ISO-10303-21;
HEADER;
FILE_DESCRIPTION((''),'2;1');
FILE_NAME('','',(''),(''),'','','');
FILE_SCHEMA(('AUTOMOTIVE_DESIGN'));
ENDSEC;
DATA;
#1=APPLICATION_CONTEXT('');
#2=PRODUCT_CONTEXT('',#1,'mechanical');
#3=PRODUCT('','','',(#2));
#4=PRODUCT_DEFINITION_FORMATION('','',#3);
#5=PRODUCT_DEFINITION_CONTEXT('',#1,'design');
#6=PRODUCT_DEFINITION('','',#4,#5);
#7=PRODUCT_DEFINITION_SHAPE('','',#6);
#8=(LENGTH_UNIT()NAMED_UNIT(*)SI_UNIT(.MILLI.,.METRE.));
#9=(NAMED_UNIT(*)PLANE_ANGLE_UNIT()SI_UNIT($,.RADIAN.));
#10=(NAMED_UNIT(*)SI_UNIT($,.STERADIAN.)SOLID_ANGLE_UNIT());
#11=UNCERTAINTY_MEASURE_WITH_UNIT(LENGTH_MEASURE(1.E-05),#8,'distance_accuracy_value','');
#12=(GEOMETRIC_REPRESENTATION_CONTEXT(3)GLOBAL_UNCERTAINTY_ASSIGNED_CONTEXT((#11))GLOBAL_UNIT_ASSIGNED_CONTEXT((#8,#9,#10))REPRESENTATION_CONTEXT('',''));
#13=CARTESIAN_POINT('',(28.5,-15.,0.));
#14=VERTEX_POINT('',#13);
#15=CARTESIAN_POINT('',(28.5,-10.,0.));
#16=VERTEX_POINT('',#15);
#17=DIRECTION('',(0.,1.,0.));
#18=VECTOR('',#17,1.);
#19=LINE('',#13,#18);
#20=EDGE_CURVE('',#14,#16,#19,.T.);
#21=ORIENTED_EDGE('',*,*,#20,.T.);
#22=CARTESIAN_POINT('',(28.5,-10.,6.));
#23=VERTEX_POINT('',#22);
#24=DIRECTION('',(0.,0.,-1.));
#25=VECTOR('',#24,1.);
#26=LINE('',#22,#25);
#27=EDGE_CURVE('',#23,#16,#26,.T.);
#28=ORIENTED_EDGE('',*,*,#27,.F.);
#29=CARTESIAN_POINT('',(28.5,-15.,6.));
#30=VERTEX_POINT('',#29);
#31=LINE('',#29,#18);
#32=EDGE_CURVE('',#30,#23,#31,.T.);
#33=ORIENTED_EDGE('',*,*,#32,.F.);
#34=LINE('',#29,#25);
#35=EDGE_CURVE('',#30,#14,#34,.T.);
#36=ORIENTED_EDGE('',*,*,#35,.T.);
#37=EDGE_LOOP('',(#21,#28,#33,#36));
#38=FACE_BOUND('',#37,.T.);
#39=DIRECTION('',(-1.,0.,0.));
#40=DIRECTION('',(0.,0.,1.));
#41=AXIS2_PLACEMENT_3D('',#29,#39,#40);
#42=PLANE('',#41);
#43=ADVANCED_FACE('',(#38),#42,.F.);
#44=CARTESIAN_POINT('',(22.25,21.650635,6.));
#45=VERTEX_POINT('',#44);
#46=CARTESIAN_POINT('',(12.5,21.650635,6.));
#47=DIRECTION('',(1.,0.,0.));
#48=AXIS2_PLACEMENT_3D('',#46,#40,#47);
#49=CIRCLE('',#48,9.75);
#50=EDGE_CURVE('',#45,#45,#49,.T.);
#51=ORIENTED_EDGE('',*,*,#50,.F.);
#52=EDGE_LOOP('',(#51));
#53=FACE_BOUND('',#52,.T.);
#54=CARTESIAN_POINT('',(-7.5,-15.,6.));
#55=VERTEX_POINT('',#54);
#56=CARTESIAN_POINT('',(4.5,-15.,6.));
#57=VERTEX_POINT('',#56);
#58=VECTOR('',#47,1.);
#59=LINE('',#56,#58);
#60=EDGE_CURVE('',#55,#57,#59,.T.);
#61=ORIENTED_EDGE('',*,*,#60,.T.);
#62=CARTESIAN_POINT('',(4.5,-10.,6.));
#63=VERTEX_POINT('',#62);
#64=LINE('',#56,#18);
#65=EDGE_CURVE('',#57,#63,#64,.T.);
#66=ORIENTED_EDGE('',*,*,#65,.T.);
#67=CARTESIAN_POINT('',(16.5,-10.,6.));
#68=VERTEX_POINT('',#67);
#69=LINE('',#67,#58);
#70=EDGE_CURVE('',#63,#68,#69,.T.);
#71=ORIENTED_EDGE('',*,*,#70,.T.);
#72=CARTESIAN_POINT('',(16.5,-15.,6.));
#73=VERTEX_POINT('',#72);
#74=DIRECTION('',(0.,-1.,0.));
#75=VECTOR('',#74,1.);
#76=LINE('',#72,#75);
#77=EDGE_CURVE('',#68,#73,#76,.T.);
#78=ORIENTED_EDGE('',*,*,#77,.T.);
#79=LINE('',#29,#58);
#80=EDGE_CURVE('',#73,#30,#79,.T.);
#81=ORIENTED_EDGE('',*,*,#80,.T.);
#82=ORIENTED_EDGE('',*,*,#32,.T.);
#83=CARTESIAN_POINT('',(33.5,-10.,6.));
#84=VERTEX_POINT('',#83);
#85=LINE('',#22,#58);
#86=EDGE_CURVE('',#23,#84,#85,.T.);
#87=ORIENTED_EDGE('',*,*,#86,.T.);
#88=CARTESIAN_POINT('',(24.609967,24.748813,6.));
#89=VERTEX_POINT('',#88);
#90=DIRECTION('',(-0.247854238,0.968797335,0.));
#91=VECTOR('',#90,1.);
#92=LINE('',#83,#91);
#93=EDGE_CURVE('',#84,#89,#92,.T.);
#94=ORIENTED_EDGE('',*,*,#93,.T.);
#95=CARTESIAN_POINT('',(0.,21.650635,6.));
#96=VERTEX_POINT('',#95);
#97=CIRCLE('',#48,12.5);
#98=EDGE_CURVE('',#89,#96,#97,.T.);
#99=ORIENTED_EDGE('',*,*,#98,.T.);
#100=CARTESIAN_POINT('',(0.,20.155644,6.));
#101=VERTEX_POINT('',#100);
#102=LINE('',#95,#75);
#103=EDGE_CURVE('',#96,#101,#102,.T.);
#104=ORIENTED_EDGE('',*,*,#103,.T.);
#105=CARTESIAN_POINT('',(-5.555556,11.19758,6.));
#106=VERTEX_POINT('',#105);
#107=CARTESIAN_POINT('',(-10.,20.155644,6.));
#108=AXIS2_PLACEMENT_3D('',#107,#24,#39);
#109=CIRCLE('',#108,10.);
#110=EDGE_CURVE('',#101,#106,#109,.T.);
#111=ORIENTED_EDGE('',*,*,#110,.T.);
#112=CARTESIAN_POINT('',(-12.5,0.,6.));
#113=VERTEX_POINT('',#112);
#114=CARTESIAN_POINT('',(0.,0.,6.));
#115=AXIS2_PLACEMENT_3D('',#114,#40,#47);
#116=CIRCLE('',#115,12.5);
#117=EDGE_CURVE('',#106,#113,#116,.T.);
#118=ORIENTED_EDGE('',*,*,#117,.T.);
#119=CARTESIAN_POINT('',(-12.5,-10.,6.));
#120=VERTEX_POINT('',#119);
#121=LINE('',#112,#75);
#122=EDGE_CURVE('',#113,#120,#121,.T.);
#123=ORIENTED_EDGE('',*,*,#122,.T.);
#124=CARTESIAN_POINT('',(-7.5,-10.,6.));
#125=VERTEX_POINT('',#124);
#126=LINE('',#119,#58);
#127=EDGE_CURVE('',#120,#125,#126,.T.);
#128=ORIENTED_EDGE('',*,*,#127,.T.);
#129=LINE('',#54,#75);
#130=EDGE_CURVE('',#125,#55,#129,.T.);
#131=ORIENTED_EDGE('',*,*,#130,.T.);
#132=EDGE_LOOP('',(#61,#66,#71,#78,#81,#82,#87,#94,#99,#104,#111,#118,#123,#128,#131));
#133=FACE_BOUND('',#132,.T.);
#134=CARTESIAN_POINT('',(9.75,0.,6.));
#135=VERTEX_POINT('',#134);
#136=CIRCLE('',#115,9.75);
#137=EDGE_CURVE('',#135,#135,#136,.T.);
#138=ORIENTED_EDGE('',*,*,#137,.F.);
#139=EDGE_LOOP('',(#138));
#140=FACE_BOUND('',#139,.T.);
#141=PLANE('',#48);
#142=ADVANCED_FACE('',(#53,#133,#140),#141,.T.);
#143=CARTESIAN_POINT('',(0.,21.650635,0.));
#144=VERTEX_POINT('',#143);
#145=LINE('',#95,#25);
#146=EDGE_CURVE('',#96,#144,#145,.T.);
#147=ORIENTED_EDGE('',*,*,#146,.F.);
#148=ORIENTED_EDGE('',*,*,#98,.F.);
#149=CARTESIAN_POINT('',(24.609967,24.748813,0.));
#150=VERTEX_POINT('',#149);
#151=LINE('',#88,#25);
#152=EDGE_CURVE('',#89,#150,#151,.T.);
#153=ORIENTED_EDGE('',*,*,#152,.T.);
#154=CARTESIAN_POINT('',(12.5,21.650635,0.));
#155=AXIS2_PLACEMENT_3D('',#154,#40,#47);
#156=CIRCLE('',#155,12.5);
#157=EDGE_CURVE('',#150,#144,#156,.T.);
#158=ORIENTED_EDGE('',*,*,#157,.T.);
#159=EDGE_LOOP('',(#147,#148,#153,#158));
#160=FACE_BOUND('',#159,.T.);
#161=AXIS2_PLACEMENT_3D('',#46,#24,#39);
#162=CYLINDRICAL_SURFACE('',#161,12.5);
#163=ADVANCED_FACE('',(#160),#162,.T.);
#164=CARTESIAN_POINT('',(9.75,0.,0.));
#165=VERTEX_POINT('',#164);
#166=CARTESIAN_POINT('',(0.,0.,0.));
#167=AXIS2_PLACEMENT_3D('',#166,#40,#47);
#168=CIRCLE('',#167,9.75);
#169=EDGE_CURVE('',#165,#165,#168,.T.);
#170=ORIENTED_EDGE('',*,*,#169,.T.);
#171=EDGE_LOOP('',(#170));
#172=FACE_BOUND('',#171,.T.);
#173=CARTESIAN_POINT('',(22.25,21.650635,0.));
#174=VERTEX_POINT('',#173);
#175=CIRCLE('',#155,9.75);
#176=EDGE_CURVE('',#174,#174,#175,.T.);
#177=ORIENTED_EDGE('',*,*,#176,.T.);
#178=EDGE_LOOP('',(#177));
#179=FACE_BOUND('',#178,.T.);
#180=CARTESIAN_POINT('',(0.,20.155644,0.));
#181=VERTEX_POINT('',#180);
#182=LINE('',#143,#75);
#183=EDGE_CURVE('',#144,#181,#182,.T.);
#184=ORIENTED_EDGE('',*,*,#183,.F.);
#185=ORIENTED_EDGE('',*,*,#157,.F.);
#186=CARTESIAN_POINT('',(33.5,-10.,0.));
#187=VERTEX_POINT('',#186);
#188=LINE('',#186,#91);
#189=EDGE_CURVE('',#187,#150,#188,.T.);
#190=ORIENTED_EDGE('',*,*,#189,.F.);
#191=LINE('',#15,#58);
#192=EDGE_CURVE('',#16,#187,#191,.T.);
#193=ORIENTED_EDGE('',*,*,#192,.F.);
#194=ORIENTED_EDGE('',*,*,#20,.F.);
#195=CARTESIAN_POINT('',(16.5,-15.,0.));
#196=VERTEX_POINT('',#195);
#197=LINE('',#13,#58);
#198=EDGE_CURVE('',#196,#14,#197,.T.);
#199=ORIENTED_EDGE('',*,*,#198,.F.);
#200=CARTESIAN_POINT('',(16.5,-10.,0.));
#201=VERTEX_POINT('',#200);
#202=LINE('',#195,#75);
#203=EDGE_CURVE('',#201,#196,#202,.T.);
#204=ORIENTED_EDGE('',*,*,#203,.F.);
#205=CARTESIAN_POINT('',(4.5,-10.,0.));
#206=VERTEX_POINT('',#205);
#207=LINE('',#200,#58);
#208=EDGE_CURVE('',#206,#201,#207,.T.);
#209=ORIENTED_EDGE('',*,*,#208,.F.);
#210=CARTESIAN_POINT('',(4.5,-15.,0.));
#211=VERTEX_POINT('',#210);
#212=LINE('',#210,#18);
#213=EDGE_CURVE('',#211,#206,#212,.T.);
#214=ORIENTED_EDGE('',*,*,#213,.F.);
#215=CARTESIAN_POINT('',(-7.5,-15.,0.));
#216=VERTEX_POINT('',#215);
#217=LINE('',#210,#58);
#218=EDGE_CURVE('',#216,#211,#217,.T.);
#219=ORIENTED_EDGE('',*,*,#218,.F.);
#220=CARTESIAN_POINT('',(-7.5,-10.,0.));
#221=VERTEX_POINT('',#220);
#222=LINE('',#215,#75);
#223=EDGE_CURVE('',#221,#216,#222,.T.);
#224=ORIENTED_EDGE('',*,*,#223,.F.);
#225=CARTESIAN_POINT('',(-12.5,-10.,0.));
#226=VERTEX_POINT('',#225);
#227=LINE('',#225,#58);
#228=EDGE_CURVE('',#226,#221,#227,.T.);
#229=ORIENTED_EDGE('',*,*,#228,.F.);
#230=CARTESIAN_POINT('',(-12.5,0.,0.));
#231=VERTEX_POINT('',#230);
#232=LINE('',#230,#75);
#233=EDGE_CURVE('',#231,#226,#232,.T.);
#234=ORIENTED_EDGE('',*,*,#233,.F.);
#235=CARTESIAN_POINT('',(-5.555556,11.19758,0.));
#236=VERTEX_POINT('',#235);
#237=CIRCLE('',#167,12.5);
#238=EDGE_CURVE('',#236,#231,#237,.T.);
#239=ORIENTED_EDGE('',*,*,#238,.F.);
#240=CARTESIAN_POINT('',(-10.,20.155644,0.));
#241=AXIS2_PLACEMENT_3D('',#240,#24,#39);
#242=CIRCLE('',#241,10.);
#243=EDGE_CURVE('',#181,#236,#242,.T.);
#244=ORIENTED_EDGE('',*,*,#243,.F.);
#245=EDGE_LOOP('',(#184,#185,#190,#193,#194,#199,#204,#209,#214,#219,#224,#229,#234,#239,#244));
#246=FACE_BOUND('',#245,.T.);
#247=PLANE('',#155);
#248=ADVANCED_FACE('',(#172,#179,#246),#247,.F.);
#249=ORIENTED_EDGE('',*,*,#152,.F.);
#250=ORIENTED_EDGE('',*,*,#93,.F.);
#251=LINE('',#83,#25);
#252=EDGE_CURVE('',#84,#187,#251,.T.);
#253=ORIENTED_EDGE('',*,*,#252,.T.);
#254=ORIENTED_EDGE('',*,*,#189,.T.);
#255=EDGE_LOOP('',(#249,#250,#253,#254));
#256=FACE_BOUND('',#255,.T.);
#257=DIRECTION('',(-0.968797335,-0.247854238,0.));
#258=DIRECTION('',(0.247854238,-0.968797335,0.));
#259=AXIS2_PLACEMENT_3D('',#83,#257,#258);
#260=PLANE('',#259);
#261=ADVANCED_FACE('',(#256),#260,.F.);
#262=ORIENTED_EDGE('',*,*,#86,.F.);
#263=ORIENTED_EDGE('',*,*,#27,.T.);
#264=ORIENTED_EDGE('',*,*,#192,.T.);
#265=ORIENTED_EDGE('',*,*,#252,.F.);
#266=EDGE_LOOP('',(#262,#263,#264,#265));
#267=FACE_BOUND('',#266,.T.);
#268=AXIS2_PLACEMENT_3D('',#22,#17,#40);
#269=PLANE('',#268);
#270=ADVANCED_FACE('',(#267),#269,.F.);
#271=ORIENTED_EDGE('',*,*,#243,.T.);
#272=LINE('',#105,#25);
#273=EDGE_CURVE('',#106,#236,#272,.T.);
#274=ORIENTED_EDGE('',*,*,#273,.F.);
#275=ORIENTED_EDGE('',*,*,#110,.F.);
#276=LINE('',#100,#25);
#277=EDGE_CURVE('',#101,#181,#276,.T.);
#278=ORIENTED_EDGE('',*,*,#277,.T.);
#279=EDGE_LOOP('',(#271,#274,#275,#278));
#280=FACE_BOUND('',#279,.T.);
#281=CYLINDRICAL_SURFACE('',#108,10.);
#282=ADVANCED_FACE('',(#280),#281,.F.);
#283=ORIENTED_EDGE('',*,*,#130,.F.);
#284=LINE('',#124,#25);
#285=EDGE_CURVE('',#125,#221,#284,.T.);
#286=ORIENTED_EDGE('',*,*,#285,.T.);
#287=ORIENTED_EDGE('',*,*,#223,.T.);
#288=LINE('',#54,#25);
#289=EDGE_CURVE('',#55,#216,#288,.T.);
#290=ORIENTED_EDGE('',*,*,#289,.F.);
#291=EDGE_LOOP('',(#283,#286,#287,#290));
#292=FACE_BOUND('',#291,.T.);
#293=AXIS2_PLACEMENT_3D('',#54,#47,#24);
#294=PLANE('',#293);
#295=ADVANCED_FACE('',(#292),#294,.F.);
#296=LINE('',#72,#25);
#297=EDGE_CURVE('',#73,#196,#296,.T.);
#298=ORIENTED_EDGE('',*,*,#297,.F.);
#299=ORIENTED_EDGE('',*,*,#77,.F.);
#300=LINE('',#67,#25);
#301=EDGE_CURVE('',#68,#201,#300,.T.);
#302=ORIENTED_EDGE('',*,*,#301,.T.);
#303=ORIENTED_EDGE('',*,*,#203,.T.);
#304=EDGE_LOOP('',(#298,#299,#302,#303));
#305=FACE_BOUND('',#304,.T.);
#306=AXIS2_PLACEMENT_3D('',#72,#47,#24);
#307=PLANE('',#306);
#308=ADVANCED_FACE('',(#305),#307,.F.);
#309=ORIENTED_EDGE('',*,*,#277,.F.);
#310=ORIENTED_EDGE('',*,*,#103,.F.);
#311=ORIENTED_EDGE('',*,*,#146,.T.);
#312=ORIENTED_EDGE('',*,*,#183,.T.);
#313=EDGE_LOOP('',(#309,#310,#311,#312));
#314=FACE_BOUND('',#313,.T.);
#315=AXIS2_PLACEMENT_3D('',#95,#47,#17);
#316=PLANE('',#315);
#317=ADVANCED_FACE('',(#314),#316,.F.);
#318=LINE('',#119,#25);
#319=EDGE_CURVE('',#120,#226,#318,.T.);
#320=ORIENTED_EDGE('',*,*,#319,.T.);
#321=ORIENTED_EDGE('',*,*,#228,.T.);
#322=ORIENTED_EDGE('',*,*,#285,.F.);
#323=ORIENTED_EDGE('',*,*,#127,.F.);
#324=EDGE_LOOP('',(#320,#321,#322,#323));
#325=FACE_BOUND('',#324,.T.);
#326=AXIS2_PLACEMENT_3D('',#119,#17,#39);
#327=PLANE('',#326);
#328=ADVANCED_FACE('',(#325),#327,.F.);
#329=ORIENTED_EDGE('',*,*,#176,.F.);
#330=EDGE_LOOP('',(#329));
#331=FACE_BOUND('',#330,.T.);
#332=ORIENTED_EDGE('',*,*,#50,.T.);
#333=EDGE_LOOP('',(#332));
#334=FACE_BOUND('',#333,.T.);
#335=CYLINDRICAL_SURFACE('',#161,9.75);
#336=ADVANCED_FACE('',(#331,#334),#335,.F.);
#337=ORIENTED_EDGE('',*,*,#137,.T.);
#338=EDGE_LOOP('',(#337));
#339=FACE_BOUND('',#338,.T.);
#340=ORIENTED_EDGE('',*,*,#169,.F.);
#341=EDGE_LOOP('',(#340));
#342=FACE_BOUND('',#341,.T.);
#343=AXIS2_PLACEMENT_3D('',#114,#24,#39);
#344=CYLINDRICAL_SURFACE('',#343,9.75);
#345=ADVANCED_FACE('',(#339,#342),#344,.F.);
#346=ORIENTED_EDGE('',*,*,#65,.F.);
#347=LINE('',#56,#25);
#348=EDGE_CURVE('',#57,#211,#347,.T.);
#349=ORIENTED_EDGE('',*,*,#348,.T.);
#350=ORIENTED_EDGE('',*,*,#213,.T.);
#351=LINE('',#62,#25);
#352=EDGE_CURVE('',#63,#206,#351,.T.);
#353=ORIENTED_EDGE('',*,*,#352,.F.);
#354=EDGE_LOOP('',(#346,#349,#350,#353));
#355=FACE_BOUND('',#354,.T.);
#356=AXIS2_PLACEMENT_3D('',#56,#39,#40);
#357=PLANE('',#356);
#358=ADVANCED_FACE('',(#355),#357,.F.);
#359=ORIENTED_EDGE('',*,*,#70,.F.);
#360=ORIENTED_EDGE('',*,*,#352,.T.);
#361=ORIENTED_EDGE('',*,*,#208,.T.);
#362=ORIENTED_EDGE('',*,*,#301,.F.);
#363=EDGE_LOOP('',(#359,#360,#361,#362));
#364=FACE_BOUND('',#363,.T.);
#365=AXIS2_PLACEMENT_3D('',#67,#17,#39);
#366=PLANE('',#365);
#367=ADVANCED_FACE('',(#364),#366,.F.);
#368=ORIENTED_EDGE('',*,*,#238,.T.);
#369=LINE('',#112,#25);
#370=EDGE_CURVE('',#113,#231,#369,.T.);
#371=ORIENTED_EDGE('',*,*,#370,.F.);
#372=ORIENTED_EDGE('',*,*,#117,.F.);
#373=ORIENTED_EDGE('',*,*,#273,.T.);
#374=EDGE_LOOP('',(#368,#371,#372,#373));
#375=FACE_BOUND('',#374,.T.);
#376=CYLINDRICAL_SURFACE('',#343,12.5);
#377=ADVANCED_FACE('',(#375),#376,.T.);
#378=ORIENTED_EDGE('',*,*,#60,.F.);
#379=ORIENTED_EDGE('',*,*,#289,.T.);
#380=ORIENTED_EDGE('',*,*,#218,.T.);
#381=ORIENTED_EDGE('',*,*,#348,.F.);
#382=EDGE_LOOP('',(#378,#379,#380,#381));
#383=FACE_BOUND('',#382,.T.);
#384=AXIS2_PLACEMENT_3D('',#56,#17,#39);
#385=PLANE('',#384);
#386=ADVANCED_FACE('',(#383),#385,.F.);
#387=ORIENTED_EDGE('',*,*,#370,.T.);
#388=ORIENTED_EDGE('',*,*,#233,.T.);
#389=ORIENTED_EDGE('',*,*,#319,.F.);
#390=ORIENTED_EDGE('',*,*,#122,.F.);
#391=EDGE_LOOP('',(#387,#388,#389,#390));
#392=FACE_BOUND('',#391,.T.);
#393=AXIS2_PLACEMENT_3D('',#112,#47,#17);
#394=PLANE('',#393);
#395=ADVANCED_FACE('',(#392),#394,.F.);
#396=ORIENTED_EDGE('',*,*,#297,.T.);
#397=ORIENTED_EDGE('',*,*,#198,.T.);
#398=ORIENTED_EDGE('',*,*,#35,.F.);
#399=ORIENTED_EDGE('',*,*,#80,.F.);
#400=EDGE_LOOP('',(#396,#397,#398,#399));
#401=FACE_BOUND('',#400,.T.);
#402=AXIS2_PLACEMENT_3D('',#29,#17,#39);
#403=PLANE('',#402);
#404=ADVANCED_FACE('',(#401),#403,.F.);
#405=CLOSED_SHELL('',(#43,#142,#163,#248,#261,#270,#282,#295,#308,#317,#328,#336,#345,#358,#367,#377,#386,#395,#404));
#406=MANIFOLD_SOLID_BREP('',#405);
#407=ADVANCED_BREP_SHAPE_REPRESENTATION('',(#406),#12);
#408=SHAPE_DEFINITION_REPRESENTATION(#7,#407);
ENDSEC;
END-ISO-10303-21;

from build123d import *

# Parameters (mm, degrees)
CROQUIS1_R              = 9.75
SALIENTE_EXTRUIR1_DEPTH = 6


with BuildPart() as part:
    # Croquis1 → Saliente-Extruir1 (new body)
    with BuildSketch(Plane.XY):
        with BuildLine():
            Line((-12.5, 0), (-12.5, -10))
            Line((-12.5, -10), (-7.5, -10))
            Line((-7.5, -10), (-7.5, -15))
            Line((-7.5, -15), (4.5, -15))
            Line((4.5, -15), (4.5, -10))
            Line((4.5, -10), (16.5, -10))
            Line((16.5, -10), (16.5, -15))
            Line((16.5, -15), (28.5, -15))
            Line((28.5, -15), (28.5, -10))
            Line((28.5, -10), (33.5, -10))
            Line((33.5, -10), (24.60996669, 24.748813068))
            ThreePointArc((24.60996669, 24.748813068), (10.938683829, 34.052743456), (0, 21.650635095))
            Line((0, 21.650635095), (0, 20.155644371))
            ThreePointArc((0, 20.155644371), (-1.501634144, 14.885181604), (-5.555555556, 11.197580206))
            ThreePointArc((-5.555555556, 11.197580206), (-10.62295732, 6.588078459), (-12.5, 0))
        make_face()
        Circle(CROQUIS1_R, mode=Mode.SUBTRACT)
        with Locations((12.5, 21.650635095)):
            Circle(CROQUIS1_R, mode=Mode.SUBTRACT)
    extrude(amount=SALIENTE_EXTRUIR1_DEPTH)


solid = part.part
